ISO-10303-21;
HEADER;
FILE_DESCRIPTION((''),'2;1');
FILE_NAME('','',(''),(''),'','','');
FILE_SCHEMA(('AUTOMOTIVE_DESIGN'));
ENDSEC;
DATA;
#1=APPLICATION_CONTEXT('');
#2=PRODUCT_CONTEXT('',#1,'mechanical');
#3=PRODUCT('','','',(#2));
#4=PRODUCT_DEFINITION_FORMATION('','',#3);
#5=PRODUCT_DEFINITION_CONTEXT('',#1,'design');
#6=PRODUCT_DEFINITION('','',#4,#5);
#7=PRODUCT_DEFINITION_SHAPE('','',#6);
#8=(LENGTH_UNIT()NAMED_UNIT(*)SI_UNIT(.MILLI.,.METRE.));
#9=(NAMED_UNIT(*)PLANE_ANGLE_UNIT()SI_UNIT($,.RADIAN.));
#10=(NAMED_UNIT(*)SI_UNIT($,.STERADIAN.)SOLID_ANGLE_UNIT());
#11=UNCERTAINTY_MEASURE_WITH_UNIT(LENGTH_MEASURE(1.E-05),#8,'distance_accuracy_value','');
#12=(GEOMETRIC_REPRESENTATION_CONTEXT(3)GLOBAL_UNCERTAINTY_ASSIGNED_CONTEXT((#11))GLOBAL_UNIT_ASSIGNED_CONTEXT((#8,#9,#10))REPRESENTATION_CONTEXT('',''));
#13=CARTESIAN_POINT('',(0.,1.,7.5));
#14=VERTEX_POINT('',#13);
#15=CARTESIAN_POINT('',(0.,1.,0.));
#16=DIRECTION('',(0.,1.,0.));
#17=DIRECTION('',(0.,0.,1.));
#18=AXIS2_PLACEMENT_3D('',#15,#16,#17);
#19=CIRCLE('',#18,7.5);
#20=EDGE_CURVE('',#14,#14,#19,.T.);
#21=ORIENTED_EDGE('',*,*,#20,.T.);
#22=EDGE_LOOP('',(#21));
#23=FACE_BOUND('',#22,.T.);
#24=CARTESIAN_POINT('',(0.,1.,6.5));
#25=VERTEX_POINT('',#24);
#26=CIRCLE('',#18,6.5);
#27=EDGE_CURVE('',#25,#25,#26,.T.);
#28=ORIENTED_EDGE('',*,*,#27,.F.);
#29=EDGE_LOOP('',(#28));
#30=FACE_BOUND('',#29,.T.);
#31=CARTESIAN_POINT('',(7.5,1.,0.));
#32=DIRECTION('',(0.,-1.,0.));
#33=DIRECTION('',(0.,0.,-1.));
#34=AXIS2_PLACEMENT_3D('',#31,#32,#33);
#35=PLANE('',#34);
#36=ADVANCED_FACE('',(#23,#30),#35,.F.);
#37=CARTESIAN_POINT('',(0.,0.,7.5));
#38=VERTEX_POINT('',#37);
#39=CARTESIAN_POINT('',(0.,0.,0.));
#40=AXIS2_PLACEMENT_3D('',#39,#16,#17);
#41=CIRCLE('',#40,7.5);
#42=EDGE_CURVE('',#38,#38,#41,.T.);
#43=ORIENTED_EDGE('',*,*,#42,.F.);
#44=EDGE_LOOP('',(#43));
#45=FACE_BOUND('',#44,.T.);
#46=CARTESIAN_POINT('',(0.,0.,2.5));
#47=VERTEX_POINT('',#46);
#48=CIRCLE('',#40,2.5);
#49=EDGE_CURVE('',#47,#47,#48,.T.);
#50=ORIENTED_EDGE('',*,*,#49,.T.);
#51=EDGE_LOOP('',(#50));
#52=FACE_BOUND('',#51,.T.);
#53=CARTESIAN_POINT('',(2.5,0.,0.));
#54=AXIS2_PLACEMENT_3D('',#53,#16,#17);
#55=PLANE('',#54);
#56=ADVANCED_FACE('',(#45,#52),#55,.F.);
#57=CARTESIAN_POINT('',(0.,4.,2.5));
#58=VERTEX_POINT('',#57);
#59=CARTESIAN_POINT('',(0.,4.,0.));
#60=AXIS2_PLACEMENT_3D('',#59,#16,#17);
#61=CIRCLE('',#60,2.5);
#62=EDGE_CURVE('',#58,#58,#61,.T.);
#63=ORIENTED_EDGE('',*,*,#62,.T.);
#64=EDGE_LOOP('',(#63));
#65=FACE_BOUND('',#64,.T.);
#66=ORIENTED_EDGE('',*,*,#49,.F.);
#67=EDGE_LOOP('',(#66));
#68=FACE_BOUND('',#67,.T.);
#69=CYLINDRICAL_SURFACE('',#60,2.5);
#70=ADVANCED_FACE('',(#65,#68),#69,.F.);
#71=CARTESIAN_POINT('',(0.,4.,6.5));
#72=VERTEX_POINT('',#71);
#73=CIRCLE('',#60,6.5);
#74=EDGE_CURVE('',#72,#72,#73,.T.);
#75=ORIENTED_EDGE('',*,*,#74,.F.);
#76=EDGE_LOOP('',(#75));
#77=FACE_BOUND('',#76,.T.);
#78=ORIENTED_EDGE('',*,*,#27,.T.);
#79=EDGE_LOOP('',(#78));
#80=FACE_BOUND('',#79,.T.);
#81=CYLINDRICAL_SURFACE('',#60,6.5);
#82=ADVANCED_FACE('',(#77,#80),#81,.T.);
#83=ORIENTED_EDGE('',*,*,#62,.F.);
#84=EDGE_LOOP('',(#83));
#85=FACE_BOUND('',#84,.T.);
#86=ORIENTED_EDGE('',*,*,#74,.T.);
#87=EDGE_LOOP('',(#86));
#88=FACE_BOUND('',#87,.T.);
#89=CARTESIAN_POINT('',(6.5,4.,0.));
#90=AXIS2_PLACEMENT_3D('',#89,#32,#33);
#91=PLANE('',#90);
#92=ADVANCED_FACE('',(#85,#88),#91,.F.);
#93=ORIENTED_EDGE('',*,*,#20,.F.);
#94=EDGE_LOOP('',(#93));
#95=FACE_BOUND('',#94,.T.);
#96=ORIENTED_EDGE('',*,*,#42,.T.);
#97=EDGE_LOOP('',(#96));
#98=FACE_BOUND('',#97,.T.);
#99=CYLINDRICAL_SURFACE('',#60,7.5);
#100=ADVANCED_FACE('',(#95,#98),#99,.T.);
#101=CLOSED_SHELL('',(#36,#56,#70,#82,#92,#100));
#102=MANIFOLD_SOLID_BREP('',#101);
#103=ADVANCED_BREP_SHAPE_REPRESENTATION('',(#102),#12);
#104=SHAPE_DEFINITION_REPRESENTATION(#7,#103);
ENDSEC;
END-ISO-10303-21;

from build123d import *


with BuildPart() as part:
    # 草图1 → 旋转1 (revolve)
    with BuildSketch(Plane.XY):
        Polygon((2.5, 0), (7.5, 0), (7.5, 1), (6.5, 1), (6.5, 4), (2.5, 4), align=None)
    revolve(axis=Axis((0, 4, 0), (0, -1, 0)))


solid = part.part
